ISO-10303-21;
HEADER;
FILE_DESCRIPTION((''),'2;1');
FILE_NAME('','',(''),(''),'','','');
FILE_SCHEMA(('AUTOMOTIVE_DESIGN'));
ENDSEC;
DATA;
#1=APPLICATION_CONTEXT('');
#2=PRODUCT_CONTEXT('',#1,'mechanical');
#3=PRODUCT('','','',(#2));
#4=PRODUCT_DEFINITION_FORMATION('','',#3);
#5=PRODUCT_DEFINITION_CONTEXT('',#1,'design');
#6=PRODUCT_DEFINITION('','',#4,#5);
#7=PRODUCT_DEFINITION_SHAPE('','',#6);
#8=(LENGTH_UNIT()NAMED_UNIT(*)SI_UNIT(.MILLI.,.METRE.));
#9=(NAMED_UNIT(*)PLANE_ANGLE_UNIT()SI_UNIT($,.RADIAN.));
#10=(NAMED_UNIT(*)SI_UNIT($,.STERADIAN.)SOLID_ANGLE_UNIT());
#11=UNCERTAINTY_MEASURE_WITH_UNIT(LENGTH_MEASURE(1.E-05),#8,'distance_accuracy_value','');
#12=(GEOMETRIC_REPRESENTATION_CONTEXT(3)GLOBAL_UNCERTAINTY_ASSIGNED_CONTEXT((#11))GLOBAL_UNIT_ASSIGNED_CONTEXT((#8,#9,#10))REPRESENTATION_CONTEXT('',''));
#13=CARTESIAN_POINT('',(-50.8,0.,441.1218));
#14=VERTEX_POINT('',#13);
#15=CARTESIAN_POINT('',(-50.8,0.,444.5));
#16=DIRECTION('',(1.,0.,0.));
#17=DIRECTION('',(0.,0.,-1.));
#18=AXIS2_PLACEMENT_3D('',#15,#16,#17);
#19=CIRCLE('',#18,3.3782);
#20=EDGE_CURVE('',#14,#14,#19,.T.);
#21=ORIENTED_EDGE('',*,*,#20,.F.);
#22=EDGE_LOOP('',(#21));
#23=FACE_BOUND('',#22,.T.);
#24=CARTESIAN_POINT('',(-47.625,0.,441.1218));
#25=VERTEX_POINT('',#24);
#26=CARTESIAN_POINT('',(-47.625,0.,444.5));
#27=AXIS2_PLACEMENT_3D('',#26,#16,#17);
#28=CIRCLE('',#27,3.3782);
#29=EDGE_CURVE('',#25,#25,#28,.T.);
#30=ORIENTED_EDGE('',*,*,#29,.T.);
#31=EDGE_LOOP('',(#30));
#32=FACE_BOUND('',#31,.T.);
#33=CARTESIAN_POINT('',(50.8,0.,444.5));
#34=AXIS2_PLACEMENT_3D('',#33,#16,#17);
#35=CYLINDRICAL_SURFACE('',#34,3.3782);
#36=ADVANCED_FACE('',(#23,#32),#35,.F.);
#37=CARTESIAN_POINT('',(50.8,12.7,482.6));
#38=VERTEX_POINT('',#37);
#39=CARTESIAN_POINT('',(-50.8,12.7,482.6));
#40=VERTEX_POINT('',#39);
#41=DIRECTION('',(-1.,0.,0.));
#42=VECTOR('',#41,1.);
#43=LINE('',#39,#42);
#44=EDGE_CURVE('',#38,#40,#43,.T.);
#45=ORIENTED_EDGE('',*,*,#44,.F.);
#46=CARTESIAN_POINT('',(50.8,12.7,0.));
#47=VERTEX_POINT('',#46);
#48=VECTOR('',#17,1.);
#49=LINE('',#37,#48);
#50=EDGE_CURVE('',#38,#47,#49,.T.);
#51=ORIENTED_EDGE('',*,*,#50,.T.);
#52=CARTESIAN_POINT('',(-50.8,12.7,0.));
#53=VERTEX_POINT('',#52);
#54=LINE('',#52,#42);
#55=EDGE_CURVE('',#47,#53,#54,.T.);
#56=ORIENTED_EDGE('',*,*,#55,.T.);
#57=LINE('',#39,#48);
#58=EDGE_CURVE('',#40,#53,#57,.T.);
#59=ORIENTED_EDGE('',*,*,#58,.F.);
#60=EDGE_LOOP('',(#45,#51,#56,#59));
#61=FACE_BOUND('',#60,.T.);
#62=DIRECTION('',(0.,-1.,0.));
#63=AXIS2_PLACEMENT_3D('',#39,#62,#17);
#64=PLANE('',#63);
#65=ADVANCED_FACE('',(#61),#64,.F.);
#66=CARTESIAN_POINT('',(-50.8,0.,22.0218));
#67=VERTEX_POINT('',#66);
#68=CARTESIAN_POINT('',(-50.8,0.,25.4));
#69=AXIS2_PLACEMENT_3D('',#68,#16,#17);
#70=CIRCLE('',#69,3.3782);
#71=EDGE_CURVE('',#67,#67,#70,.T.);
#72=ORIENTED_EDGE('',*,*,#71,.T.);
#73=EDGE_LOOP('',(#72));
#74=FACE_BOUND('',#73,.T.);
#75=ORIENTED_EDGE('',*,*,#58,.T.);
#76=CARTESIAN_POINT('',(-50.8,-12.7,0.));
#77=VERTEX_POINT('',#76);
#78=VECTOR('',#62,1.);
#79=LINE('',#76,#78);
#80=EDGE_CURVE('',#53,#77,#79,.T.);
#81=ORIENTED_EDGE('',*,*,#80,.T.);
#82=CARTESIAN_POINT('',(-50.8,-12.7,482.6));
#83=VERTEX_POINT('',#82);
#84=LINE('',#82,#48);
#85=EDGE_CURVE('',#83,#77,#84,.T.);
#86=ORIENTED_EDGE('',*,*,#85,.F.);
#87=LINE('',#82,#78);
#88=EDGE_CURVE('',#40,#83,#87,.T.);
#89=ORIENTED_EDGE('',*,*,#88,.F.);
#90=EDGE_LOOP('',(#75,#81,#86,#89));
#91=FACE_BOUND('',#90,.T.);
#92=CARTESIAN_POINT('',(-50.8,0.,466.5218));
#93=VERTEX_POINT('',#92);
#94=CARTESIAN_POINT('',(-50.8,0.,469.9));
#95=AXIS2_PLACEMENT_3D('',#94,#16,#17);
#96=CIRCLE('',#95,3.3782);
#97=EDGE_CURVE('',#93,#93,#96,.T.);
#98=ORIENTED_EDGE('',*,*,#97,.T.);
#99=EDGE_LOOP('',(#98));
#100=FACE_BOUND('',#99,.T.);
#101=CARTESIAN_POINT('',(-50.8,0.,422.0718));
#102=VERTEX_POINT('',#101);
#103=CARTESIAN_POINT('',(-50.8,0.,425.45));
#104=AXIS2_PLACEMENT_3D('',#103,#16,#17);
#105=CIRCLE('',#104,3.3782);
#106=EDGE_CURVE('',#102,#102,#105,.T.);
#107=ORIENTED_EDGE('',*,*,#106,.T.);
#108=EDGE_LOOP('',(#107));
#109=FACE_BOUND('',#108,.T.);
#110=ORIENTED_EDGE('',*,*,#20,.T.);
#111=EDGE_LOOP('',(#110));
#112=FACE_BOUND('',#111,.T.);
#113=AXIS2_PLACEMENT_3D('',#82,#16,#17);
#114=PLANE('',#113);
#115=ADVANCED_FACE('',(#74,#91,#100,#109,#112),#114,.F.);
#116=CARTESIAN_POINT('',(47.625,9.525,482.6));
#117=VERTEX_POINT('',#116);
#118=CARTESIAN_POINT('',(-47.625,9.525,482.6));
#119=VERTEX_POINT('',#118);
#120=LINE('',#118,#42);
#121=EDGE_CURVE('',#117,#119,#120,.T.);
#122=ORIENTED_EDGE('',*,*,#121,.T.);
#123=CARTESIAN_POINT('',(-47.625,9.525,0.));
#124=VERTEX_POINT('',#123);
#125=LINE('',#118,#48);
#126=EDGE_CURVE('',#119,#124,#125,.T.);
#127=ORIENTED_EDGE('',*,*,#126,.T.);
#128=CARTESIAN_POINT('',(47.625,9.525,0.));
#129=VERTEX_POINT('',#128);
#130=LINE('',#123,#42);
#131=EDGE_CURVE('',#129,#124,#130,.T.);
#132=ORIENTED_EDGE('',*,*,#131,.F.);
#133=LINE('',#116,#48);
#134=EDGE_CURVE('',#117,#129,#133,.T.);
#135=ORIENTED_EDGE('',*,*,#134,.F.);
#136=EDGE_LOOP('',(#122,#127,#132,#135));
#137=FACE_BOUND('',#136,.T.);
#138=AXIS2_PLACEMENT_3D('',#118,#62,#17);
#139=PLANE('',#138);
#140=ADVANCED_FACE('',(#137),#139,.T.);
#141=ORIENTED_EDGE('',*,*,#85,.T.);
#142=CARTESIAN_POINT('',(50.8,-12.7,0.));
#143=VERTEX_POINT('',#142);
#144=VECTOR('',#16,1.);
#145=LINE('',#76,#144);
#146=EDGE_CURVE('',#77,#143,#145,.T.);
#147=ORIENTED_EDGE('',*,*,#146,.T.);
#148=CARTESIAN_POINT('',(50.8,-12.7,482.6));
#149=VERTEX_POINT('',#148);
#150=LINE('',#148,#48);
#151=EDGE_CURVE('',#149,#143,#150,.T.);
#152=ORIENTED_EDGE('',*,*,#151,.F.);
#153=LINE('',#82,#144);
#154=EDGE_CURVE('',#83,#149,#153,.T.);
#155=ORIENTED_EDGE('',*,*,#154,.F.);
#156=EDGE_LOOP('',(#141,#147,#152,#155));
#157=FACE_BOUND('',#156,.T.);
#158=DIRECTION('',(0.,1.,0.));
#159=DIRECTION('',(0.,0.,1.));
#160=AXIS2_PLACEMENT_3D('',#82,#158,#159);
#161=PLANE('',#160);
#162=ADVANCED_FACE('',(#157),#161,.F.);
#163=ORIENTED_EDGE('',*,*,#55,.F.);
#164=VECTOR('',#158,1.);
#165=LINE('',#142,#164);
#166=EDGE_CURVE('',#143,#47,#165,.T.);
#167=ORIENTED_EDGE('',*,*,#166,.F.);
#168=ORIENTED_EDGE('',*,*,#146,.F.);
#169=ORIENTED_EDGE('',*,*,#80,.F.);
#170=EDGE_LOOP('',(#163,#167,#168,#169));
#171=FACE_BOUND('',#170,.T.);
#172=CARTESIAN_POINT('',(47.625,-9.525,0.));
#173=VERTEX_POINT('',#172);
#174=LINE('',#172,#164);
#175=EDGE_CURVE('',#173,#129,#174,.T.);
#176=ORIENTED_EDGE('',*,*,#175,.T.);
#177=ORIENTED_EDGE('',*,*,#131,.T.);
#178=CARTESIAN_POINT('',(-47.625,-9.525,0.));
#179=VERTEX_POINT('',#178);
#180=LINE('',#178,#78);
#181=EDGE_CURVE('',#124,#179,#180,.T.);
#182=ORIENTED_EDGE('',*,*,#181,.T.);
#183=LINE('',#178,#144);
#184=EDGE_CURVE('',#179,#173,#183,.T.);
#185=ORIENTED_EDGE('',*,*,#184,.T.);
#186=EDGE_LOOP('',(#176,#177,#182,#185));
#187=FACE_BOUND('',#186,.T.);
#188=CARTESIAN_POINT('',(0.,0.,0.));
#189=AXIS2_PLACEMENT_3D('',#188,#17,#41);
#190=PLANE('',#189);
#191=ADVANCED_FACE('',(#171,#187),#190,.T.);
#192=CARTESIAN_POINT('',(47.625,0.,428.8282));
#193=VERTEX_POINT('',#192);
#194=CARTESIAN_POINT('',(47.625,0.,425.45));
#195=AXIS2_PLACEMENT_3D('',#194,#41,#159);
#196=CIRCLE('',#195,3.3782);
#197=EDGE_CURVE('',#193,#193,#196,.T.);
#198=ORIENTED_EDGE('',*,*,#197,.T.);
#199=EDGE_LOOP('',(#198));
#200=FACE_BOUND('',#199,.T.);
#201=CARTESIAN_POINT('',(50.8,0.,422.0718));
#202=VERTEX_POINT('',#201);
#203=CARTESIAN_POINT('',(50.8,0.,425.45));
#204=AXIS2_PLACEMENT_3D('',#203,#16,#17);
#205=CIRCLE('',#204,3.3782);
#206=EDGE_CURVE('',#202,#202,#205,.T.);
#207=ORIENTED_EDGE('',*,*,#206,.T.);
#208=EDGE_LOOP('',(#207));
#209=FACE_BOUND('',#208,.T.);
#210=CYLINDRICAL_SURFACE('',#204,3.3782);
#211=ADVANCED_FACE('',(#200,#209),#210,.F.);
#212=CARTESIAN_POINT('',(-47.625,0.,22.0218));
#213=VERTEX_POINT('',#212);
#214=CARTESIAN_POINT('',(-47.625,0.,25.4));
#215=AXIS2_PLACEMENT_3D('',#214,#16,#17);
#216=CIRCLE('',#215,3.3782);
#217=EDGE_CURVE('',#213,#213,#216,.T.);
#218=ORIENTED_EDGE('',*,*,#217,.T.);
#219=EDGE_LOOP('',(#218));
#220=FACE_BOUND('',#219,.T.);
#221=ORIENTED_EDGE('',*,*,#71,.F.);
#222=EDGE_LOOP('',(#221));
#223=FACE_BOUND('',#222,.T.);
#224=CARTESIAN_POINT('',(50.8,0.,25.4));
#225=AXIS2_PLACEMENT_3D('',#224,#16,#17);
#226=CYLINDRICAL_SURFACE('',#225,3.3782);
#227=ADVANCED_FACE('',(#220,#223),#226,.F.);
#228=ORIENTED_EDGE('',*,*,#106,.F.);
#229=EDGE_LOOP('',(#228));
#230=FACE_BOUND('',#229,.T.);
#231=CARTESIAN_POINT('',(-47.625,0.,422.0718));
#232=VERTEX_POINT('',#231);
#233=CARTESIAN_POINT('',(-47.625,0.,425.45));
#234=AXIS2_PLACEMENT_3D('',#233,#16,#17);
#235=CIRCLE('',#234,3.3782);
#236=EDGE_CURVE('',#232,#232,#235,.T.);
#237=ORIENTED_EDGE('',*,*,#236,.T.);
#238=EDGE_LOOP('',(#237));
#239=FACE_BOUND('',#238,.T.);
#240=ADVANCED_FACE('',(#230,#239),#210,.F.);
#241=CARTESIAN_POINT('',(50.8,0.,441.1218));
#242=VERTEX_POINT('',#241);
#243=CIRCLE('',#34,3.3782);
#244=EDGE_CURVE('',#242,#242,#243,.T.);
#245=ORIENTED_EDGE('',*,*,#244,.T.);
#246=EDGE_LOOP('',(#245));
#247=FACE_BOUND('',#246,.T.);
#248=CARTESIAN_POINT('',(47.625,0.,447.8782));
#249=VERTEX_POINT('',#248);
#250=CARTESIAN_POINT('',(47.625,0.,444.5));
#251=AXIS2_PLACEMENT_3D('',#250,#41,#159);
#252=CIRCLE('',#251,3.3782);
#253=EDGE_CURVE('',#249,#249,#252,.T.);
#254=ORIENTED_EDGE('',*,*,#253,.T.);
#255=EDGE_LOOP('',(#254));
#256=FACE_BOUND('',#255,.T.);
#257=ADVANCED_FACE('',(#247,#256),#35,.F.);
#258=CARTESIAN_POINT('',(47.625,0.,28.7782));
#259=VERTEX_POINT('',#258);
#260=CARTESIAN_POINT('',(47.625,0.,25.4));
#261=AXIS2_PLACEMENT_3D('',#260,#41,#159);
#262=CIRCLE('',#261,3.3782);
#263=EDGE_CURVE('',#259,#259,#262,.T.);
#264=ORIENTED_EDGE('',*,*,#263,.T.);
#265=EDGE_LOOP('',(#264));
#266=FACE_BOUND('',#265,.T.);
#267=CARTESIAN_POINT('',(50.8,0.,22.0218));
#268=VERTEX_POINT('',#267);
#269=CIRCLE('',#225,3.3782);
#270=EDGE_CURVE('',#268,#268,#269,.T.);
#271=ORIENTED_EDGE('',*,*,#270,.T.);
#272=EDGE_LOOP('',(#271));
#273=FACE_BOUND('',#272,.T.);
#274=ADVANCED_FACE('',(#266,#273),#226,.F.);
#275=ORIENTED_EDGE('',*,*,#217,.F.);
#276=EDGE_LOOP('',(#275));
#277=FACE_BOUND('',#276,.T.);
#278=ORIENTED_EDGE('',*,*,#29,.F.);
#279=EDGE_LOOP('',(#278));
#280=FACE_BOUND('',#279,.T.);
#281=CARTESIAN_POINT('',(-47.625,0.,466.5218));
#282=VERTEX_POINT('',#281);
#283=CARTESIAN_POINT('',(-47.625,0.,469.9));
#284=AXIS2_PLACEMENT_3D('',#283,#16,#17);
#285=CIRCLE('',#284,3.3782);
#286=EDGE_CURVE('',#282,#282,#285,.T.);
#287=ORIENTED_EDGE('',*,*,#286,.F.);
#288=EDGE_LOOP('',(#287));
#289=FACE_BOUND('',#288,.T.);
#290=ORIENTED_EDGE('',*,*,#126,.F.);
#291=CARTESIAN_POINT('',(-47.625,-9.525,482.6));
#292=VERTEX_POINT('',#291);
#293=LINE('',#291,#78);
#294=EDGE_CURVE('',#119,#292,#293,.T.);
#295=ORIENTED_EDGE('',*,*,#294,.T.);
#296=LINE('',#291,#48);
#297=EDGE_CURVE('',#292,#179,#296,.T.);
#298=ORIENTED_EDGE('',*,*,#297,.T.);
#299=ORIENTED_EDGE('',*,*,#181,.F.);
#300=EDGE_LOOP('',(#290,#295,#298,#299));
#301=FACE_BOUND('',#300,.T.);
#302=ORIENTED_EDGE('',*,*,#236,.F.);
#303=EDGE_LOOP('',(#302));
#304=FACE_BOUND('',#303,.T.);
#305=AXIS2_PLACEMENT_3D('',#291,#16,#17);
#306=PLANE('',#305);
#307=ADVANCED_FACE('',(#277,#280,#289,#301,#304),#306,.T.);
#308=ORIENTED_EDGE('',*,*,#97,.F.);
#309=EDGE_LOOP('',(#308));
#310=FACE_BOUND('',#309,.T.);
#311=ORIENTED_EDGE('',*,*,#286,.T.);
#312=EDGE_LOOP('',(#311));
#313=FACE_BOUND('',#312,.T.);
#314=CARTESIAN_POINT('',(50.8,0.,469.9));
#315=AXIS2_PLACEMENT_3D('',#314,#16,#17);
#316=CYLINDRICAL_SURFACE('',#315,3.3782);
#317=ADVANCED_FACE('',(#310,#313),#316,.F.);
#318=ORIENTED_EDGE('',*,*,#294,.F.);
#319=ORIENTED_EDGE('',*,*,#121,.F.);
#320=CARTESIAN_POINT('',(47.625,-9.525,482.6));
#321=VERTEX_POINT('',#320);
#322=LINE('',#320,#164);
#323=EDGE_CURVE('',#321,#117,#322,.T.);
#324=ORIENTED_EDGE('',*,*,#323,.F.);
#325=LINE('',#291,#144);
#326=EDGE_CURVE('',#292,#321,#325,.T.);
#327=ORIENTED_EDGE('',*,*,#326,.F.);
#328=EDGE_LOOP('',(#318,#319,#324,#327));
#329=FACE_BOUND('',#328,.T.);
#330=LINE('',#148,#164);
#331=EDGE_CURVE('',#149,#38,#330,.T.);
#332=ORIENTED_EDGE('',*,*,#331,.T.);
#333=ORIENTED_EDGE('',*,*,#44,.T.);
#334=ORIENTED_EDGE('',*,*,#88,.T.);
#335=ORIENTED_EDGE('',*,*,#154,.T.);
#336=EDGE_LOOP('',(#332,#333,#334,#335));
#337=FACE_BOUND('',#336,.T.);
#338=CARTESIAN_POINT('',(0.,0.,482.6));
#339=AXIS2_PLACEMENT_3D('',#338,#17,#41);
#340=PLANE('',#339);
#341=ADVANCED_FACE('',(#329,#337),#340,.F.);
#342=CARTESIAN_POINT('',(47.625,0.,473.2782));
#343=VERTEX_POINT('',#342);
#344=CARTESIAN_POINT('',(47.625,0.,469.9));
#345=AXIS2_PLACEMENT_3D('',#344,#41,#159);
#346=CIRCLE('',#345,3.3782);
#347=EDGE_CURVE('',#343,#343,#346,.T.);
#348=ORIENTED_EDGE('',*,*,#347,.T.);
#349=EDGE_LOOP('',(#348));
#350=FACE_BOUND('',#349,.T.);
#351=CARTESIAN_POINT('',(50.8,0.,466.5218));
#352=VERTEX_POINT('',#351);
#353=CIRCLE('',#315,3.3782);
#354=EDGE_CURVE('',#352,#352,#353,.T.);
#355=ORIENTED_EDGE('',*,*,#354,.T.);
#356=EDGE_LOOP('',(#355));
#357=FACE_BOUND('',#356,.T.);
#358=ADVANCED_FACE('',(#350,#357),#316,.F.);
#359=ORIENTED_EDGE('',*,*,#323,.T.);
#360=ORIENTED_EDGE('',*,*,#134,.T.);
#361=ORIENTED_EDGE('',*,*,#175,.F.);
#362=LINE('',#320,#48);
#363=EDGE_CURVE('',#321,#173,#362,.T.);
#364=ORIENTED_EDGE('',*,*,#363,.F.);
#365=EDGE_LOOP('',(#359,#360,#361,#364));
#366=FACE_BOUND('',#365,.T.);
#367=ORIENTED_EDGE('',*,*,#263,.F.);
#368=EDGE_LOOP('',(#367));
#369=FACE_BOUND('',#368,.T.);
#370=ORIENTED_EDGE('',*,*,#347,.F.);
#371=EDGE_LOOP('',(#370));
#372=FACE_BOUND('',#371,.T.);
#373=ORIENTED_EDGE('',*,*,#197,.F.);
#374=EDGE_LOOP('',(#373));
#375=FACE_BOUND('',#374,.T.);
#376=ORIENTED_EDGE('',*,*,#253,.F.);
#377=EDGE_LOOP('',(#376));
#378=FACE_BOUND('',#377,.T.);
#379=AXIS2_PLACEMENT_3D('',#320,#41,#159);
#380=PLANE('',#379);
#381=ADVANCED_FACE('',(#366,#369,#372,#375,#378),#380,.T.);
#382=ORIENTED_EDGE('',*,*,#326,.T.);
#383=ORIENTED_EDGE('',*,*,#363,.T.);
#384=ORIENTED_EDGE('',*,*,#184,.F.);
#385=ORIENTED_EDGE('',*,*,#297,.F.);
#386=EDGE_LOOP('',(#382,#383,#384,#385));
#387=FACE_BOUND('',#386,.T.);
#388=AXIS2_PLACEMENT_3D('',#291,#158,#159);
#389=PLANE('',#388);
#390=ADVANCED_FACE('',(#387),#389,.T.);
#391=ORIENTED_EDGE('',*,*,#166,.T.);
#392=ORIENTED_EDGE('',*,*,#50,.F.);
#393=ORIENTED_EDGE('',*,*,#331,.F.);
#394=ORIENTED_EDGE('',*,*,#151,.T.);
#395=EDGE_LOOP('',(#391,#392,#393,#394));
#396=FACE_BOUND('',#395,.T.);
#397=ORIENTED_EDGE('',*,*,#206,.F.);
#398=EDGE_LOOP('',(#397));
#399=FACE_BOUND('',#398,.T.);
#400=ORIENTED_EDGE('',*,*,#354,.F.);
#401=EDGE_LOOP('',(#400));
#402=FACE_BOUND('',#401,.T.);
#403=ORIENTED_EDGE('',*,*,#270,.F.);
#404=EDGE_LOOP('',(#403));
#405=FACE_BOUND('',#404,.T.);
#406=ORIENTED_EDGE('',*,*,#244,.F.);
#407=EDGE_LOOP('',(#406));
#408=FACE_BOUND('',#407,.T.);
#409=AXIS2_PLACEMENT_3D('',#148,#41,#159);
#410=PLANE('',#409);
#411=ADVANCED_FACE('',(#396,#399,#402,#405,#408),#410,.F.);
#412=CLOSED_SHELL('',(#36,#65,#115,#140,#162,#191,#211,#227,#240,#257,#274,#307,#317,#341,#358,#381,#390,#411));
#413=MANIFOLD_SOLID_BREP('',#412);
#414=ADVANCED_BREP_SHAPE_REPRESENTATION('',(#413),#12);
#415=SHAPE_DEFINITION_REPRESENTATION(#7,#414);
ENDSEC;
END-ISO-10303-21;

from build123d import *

# Parameters (mm, degrees)
SKETCH1_W                = 101.6
SKETCH1_H                = 25.4
SKETCH1_W_2              = 95.25
SKETCH1_H_2              = 19.05
BOSS_EXTRUDE1_DEPTH      = 482.6
H_0_266_DIAMETER_HOLE1_D = 6.7564


with BuildPart() as part:
    # Sketch1 → Boss-Extrude1 (new body)
    with BuildSketch(Plane.XY):
        Rectangle(SKETCH1_W, SKETCH1_H)
        Rectangle(SKETCH1_W_2, SKETCH1_H_2, mode=Mode.SUBTRACT)
    extrude(amount=BOSS_EXTRUDE1_DEPTH)

    # H (0.266) Diameter Hole1 (through all)
    with Locations(Plane(origin=(50.8, 0, 0), x_dir=(0, 0, -1), z_dir=(1, 0, 0))):
        with Locations((-25.4, 0), (-469.9, 0), (-444.5, 0), (-425.45, 0)):
            Hole(H_0_266_DIAMETER_HOLE1_D / 2)


solid = part.part
